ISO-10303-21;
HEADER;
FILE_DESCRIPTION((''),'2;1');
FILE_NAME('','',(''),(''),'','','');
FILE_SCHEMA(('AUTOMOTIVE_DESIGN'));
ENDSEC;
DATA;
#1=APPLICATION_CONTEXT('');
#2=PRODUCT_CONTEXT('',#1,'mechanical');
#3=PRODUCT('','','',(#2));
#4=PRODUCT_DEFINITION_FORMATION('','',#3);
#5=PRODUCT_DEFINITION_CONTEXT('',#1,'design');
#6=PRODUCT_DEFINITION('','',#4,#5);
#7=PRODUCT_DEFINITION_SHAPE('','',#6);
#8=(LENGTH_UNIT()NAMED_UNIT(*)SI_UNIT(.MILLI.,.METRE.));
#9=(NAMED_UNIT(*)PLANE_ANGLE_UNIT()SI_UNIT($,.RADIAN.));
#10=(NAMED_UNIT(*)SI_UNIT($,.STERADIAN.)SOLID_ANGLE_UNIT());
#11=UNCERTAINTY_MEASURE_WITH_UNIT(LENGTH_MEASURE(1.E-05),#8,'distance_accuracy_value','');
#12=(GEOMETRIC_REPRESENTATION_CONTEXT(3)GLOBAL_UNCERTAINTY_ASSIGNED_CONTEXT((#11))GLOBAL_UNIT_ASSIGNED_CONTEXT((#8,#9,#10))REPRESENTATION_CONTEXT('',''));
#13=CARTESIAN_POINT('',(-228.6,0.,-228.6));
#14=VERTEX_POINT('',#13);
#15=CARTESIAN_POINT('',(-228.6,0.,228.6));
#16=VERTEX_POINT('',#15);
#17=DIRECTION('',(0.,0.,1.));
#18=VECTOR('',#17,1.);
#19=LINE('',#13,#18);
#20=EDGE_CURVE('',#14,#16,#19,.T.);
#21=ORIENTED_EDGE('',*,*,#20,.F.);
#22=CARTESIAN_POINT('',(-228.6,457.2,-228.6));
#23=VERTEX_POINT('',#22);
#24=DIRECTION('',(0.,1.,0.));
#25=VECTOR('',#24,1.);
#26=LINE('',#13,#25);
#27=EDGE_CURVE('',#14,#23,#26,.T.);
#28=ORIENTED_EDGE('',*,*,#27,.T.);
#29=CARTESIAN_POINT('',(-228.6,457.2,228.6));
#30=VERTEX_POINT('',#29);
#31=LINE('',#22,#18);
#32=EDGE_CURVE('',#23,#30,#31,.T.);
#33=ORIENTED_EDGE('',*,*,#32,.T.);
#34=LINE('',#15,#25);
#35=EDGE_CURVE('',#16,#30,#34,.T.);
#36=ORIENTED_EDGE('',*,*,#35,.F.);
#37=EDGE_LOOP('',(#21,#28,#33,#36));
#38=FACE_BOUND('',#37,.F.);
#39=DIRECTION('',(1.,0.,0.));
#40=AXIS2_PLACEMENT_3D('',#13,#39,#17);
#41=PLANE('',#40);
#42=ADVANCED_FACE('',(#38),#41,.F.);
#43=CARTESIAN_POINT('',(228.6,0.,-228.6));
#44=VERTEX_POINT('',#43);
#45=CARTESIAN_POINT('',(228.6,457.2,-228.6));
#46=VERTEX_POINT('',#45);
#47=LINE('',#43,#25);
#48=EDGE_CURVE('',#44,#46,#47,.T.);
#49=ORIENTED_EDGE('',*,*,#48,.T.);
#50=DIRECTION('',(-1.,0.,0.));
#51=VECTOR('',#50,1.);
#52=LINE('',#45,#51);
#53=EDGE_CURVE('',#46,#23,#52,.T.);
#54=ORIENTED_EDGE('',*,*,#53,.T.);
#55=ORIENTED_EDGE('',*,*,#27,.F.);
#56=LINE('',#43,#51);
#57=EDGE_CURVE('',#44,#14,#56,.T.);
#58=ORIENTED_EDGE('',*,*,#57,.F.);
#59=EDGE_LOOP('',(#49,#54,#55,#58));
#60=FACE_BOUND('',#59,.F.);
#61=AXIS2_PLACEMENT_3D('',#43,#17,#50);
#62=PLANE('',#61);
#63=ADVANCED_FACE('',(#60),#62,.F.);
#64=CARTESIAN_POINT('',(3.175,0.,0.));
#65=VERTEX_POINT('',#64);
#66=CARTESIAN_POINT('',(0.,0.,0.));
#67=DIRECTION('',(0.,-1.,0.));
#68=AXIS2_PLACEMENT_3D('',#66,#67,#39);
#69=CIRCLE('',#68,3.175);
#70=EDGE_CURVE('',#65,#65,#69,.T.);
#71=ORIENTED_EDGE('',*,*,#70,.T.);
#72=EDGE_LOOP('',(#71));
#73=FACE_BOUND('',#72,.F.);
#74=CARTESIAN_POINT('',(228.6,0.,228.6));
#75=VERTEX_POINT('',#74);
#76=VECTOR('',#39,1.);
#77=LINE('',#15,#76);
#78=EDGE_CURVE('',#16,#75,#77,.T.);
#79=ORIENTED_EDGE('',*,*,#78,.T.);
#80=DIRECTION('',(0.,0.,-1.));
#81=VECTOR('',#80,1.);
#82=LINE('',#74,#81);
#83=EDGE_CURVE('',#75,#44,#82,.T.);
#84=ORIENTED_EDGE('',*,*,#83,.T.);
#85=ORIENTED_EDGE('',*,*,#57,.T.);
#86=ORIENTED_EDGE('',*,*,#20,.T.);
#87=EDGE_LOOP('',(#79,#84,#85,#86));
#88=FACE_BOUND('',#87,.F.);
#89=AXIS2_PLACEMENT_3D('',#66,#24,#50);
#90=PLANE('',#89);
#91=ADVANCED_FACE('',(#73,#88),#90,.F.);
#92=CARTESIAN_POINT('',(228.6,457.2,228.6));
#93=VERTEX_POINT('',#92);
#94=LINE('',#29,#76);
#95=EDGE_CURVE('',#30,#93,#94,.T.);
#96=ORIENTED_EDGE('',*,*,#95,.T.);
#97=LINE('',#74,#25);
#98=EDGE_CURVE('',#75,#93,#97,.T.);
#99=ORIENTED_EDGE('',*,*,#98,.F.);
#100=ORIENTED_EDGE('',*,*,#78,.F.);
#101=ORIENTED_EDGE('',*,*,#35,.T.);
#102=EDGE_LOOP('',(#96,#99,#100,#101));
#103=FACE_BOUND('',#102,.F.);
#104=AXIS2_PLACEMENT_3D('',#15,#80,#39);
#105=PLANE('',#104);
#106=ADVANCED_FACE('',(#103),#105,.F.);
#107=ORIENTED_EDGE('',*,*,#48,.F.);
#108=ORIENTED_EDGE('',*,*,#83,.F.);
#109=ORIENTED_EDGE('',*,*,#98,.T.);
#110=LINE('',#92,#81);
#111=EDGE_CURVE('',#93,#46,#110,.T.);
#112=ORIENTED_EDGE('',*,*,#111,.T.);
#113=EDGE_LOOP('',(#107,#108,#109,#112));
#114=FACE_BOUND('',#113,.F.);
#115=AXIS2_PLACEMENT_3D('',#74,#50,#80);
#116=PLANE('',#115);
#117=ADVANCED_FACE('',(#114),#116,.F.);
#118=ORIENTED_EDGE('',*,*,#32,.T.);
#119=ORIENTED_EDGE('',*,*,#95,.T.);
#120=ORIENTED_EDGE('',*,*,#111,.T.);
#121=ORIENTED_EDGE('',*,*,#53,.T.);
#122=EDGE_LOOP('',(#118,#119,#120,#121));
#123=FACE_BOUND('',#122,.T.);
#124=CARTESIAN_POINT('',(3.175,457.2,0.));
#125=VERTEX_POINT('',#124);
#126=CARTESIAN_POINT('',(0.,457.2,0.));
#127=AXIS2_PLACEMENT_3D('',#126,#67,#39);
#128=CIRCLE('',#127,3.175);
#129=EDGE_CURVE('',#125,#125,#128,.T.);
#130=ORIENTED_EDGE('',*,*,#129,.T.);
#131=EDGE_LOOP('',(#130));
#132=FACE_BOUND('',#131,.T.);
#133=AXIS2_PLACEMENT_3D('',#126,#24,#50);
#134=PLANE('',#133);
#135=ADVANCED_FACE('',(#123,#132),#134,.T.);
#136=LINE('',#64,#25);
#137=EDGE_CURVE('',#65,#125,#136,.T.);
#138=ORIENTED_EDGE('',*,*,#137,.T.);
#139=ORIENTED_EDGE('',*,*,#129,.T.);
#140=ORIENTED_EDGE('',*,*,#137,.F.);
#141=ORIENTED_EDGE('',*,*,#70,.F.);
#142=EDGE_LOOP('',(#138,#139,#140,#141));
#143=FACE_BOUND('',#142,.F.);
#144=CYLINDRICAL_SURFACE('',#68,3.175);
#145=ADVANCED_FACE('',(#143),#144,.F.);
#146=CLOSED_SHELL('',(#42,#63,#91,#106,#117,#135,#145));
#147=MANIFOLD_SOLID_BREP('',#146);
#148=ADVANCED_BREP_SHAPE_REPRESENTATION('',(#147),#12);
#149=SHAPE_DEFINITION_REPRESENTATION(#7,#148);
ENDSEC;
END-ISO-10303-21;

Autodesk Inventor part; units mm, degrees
ref_plane "YZ Plane" through (0, 0, 0) normal (1, 0, 0) x (0, 1, 0)
ref_plane "XZ Plane" through (0, 0, 0) normal (0, 1, 0) x (-1, 0, 0)
ref_plane "XY Plane" through (0, 0, 0) normal (0, 0, 1) x (1, 0, 0)
sketch "Sketch1" plane through (0, 0, 0) normal (0, 1, 0) x (-1, 0, 0)
  line L0 (228.6, 228.6) -> (-228.6, 228.6)
  line L1 (-228.6, 228.6) -> (-228.6, -228.6)
  line L2 (-228.6, -228.6) -> (228.6, -228.6)
  line L3 (228.6, -228.6) -> (228.6, 228.6)
  point P0 (0, 0)
  dimension "d0" = 457.2
  dimension "d1" = 457.2
extrude "Extrusion1" add sketch "Sketch1" along normal blind 457.2
sketch "Sketch3" plane through (0, 0, 0) normal (0, -1, 0) x (1, 0, 0)
  line L0 (-228.6, 228.6) -> (228.6, 228.6) projected
  line L1 (0, 228.6) -> (0, -228.6)
  line L2 (228.6, -228.6) -> (-228.6, -228.6) projected
  line L3 (228.6, 0) -> (-228.6, 0)
  line L4 (228.6, 228.6) -> (228.6, -228.6)
  line L5 (-228.6, 228.6) -> (-228.6, -228.6)
  point P0 (0, 0)
  point P1 (0, 0)
ref_plane "Work Plane1" through (-228.6, 0, 0) normal (0, 0, 1) x (1, 0, 0)
ref_plane "Work Plane2" through (0, 0, 228.6) normal (1, 0, 0) x (0, 0, -1)
sketch "Sketch4" plane through (0, 457.2, 0) normal (0, 1, 0) x (1, 0, 0)
  point P0 (0, 0)
  point P1 (0, 0)
sketch "Sketch5" plane through (0, 0, 0) normal (0, -1, 0) x (1, 0, 0)
  circle A0 centre (0, 0) radius 3.175
  dimension "d4" = 6.35
extrude "Extrusion2" cut sketch "Sketch5" against normal through all
properties part number "robot"
